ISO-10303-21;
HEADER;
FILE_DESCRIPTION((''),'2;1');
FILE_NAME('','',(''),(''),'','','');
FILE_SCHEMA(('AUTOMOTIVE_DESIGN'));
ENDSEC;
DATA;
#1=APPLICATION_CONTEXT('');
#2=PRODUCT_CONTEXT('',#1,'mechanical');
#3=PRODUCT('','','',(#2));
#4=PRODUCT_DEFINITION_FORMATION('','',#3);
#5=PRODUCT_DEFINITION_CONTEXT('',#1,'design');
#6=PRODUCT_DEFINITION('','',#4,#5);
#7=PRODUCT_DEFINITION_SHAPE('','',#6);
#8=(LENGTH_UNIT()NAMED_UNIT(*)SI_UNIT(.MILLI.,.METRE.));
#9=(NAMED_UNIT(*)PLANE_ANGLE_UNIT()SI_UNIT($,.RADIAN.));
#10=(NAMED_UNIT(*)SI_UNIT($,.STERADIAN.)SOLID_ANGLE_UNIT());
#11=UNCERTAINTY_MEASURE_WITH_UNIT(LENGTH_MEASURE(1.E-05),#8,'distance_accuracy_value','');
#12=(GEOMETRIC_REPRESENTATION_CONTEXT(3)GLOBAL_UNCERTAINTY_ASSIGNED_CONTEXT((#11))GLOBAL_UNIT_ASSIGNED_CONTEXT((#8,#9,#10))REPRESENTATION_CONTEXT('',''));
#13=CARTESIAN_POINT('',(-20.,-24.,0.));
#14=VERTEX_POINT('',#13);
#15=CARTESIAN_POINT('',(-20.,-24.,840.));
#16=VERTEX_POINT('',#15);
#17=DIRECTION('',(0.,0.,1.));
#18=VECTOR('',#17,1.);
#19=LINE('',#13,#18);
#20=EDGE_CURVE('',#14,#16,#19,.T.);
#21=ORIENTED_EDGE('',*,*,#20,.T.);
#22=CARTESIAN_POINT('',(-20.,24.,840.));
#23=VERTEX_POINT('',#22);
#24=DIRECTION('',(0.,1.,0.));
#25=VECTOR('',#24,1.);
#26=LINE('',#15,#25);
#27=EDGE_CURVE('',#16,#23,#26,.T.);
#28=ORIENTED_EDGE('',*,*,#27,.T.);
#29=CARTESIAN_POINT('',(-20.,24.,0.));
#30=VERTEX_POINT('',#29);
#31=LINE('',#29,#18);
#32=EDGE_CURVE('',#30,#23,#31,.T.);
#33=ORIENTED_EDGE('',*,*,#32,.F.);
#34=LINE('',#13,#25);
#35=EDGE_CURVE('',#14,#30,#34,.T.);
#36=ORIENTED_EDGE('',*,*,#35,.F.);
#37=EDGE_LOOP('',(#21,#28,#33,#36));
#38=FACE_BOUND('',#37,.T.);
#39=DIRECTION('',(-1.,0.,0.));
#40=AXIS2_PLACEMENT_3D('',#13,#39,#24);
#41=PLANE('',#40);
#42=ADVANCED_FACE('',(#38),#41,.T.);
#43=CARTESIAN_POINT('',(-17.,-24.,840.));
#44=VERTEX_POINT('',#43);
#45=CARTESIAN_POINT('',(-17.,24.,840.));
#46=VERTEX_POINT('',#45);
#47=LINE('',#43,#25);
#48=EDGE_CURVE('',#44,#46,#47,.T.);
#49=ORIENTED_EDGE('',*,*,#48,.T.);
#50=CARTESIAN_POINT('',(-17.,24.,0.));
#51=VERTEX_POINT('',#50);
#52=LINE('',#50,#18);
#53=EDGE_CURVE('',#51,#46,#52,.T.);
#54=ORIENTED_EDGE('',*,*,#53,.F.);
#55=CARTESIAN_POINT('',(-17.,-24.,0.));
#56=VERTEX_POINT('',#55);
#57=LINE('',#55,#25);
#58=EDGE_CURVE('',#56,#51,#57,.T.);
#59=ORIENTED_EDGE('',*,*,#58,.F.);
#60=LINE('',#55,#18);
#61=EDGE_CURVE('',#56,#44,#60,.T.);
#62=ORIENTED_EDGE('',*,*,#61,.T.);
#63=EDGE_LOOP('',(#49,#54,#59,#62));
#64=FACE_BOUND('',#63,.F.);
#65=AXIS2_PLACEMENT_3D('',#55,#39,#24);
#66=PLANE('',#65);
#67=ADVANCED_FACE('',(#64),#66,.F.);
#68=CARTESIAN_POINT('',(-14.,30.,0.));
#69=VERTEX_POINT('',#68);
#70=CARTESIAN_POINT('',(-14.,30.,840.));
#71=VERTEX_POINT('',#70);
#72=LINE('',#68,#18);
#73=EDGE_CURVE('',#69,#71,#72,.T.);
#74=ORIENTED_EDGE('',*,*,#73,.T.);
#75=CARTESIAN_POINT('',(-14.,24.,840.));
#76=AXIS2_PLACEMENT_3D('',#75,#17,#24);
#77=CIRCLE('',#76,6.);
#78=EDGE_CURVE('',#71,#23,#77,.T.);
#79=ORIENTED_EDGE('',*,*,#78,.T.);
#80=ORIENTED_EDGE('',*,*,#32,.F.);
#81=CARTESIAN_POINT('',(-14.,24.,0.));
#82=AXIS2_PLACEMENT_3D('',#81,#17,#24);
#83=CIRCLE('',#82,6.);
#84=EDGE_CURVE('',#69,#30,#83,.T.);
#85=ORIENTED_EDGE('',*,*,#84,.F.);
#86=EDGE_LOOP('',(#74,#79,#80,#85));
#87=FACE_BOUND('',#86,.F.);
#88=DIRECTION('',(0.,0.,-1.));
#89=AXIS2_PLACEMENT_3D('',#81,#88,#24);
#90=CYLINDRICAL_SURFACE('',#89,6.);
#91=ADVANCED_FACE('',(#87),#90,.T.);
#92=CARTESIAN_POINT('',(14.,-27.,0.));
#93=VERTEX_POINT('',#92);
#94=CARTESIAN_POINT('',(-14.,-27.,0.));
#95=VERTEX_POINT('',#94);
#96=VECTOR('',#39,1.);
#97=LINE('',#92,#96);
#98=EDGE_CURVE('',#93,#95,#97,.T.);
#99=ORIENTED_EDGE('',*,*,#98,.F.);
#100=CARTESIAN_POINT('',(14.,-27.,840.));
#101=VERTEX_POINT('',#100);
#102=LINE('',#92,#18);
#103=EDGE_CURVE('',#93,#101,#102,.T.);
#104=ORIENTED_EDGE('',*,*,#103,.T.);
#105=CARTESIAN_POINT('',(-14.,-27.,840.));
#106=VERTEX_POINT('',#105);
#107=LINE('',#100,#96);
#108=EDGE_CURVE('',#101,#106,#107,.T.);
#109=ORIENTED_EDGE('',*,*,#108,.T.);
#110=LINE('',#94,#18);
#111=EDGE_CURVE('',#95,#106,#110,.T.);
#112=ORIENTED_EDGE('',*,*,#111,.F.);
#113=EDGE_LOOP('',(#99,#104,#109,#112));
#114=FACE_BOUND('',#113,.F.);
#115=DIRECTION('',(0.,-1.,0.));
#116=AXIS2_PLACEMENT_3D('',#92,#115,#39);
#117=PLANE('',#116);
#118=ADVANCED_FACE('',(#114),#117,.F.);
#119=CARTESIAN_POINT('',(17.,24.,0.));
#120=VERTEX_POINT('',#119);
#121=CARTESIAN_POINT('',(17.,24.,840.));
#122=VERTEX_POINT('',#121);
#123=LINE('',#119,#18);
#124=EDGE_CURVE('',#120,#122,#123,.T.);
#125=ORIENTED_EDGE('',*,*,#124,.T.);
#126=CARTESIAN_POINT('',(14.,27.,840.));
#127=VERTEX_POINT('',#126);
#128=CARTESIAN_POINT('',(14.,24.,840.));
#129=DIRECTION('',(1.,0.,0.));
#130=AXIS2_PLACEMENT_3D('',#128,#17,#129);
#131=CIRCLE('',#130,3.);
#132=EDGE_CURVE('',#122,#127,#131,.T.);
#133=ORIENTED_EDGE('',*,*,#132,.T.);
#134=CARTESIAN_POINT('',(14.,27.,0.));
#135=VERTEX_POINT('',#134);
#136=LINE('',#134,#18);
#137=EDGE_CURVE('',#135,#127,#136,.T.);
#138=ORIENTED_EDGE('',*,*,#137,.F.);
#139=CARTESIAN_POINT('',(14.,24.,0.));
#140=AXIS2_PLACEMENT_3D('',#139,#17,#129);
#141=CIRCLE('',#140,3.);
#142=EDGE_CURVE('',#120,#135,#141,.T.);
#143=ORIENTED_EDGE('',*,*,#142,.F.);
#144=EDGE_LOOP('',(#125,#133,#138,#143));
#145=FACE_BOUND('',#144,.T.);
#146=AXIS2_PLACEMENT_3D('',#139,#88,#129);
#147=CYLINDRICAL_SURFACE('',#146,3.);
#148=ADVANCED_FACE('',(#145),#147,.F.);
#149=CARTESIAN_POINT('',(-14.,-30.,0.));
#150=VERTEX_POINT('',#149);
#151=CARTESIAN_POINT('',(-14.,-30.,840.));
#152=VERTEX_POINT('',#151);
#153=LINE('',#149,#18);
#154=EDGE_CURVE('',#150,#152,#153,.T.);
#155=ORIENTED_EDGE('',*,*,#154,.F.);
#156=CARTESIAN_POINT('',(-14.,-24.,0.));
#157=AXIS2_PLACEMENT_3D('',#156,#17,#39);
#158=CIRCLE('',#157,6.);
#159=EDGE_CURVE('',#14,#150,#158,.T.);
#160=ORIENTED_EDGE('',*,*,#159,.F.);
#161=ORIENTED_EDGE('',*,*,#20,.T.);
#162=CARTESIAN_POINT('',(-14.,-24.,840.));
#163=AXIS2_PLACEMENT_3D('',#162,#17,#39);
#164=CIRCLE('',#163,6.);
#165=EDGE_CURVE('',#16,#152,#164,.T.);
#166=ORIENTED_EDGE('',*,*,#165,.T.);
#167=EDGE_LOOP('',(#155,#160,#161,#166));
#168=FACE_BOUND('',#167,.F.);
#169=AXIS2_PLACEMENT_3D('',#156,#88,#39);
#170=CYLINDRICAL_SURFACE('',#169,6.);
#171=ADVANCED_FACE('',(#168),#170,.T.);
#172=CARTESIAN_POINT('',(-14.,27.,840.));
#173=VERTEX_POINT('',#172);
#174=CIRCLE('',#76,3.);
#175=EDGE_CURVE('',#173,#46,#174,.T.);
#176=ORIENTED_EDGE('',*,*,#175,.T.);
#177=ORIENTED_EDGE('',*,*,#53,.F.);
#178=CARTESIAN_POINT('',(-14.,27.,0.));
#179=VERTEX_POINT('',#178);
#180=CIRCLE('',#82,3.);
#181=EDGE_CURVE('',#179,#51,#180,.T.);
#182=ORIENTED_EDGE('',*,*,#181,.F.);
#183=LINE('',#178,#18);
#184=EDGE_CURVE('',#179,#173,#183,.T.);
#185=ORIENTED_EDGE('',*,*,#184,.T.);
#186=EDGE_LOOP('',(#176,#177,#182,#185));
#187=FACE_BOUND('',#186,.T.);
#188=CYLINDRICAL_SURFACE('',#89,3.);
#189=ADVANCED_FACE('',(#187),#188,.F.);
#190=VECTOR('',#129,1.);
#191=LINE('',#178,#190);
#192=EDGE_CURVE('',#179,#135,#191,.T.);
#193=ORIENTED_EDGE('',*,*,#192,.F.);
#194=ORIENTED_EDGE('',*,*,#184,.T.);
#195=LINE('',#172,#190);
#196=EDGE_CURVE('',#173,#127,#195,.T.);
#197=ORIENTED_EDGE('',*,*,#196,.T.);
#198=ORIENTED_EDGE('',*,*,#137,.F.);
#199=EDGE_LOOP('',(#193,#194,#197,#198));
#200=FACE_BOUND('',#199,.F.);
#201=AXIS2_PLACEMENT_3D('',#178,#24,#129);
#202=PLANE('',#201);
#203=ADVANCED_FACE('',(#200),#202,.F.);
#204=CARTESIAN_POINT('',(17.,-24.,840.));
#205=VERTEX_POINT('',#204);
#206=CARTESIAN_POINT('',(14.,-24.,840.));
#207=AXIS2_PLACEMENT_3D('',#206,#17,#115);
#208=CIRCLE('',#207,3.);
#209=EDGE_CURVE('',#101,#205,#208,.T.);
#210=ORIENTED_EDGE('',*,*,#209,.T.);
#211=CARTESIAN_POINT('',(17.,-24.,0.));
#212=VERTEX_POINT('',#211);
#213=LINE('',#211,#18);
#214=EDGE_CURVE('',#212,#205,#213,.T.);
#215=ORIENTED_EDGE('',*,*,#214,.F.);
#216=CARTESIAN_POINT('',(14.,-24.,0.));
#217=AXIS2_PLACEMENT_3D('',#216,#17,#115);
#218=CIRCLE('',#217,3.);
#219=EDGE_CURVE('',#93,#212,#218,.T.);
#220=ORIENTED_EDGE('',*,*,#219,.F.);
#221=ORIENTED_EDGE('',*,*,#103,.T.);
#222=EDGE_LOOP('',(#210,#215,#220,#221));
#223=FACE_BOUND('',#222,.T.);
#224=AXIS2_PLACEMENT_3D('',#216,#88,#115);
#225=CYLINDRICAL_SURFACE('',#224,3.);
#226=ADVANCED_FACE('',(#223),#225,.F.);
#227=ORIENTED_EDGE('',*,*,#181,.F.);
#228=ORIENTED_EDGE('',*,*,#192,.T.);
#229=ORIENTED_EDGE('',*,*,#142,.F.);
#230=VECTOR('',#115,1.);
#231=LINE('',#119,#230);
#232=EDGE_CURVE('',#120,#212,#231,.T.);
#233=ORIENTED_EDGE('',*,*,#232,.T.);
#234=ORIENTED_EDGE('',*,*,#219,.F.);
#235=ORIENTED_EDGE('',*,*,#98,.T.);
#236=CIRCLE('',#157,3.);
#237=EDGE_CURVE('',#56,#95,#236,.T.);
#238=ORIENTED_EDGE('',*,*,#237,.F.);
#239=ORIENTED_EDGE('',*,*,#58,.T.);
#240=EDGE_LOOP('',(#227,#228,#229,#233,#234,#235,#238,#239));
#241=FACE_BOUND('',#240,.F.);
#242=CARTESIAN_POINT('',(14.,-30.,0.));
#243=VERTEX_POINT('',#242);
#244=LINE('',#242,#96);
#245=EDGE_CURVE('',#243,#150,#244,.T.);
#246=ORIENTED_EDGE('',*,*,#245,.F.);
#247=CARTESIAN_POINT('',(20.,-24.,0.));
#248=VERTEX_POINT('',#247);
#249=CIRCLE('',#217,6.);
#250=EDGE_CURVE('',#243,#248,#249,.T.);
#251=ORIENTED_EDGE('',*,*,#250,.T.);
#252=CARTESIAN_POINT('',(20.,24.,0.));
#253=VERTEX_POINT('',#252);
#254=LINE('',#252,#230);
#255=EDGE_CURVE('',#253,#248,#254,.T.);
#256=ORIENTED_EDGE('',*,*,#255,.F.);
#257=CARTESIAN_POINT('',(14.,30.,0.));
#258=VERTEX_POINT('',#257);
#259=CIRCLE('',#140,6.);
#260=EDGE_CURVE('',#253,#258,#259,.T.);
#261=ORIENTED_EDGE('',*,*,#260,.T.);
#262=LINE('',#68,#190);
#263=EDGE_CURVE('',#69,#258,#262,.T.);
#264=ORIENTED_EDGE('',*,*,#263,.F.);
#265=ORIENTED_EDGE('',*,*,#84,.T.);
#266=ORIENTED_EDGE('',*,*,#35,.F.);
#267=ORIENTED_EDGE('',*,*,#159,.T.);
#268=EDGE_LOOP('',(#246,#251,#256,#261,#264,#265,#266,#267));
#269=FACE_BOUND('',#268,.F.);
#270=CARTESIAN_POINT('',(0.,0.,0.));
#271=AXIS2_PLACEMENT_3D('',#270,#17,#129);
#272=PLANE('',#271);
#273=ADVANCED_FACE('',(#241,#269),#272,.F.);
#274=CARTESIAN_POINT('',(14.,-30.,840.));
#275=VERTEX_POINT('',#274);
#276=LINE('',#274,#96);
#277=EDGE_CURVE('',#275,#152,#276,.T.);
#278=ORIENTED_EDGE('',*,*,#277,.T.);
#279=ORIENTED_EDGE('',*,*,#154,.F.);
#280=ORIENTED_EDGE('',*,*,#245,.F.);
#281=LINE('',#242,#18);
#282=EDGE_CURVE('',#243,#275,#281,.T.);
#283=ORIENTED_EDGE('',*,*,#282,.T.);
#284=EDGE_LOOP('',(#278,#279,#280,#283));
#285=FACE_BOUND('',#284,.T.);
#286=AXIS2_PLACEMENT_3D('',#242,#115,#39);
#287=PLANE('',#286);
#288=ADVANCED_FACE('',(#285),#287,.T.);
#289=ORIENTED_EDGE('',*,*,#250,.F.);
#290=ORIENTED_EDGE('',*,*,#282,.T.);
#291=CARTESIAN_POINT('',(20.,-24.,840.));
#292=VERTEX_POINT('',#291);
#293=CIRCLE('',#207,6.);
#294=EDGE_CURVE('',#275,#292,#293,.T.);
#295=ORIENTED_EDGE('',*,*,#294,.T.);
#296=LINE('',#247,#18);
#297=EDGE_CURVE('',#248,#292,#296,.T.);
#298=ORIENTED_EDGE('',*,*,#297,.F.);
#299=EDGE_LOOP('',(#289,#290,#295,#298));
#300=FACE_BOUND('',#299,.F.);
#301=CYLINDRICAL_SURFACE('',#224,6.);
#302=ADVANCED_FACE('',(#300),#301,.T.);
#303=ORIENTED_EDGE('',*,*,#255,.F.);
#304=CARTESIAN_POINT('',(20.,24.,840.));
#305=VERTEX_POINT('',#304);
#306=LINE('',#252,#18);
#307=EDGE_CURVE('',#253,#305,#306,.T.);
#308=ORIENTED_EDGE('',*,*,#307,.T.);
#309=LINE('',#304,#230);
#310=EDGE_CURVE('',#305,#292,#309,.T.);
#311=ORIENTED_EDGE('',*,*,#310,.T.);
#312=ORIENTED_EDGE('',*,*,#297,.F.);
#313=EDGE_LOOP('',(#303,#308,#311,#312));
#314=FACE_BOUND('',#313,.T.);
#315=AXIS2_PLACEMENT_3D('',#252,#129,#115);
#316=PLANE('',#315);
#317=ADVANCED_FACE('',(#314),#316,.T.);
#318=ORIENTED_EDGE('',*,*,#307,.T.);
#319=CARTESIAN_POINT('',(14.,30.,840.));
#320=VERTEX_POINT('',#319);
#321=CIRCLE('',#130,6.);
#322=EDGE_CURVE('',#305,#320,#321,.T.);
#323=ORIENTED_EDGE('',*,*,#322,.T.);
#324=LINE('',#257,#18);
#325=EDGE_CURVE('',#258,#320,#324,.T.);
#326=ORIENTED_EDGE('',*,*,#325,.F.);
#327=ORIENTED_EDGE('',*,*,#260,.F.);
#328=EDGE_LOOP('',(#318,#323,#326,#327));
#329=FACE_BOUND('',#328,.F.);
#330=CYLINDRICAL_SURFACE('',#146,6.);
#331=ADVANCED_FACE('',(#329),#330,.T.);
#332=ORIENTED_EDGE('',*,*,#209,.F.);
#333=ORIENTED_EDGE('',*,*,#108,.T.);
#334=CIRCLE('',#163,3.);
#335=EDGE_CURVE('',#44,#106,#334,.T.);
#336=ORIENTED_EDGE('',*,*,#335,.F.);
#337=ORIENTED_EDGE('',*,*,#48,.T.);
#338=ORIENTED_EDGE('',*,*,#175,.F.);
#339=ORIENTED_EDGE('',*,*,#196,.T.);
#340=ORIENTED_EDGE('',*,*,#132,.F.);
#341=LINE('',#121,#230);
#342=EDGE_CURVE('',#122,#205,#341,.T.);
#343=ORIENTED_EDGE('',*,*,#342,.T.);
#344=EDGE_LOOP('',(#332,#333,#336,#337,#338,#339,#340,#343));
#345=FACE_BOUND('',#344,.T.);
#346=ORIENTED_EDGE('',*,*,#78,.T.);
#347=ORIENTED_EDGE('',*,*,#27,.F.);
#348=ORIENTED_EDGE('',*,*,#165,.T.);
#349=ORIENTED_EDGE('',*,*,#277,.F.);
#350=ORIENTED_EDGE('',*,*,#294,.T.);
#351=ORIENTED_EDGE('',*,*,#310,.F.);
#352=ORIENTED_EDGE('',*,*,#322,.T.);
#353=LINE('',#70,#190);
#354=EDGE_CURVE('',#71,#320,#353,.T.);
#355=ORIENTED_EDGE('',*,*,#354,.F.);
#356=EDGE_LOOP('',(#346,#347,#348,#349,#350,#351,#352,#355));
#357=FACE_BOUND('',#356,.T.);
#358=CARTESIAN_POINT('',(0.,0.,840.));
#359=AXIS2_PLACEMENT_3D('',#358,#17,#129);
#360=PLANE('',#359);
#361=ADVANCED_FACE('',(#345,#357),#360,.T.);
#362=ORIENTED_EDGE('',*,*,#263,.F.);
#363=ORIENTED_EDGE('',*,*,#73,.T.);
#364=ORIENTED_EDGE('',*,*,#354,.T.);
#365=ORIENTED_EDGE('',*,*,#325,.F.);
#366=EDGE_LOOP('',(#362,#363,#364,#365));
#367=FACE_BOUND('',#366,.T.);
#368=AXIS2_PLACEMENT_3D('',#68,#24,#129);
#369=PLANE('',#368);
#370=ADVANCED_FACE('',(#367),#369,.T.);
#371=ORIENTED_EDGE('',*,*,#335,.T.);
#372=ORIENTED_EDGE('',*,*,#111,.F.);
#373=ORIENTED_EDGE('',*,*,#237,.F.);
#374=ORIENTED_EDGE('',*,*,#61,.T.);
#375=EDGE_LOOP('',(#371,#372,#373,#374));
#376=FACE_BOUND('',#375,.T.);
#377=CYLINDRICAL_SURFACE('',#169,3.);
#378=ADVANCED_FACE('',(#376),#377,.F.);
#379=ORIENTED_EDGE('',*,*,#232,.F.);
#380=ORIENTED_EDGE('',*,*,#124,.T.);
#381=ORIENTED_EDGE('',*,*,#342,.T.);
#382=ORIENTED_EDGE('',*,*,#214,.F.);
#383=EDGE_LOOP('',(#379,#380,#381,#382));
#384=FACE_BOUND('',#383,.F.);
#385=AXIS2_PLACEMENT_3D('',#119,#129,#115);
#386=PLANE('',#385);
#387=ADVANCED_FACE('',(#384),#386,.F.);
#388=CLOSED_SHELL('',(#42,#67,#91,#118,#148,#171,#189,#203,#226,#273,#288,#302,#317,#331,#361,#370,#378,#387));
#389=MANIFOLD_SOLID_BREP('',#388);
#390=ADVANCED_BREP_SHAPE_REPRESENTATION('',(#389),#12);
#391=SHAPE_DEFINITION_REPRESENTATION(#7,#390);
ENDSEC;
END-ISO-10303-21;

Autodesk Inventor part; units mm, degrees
ref_plane "YZ Plane" through (0, 0, 0) normal (1, 0, 0) x (0, 1, 0)
ref_plane "Start Plane" through (0, 0, 0) normal (0, 0, 1) x (1, 0, 0)
ref_plane "End Plane" through (0, 0, 840) normal (0, 0, 1) x (1, 0, 0)
sketch "Sketch" plane through (0, 0, 0) normal (0, 0, 1) x (1, 0, 0)
  line L0 (-20, -24) -> (-20, 24)
  line L1 (-14, 30) -> (14, 30)
  line L2 (20, 24) -> (20, -24)
  line L3 (14, -30) -> (-14, -30)
  arc A0 (-20, -24) -> (-14, -30) centre (-14, -24) ccw
  arc A1 (20, 24) -> (14, 30) centre (14, 24) ccw
  arc A2 (-14, 30) -> (-20, 24) centre (-14, 24) ccw
  arc A3 (14, -30) -> (20, -24) centre (14, -24) ccw
  arc A4 (-14, 27) -> (-17, 24) centre (-14, 24) ccw
  line L4 (-14, 27) -> (14, 27)
  arc A5 (17, 24) -> (14, 27) centre (14, 24) ccw
  line L5 (17, 24) -> (17, -24)
  arc A6 (14, -27) -> (17, -24) centre (14, -24) ccw
  line L6 (14, -27) -> (-14, -27)
  arc A7 (-17, -24) -> (-14, -27) centre (-14, -24) ccw
  line L7 (-17, -24) -> (-17, 24)
  line L8 (0, 43.7397) -> (0, -43.7397) construction
  line L9 (-29.7397, 0) -> (29.7397, 0) construction
  dimension "d7" = 6
  dimension "d9" = 40
  dimension "d11" = 60
  dimension "d12" = 3
  dimension "d15" = 20
  dimension "d16" = 30
extrude "Body" add sketch "Sketch" along normal up to surface (840 mm away) from surface at 0
sketch "Sketch3" plane through (0, 0, 0) normal (0, 0, 1) x (1, 0, 0)
  line L0 (0, 0) -> (10, 0)
ref_plane "Work Plane3" through (0, 0, 0) normal (0, -1, 0) x (1, 0, 0)
sketch "Sketch4" plane through (0, 0, 0) normal (0, -1, 0) x (1, 0, 0)
  line L0 (-2, 0) -> (12, 0) projected
  line L1 (-2, 840) -> (12, 840) projected
  dimension "d18" = 840
equation "\"d7\" = G_IR"
equation "\"d9\" = G_W"
equation "\"d11\" = G_H"
equation "\"d12\" = G_T"
equation "\"d15\" = 0.5 * d9"
equation "\"d16\" = 0.5 * d11"
equation "\"d3\" = G_L"
equation "\"G_W\" = 40"
equation "\"G_H\" = 60"
equation "\"G_T\" = 3"
equation "\"G_IR\" = 6"
equation "\"G_L\" = d18"
equation "\"G_OFFSET_START\" = 0"
equation "\"G_OFFSET_END\" = 0"
properties part number "ISO 4019 - 60x40x3 - 840" material "Steel, Mild"
